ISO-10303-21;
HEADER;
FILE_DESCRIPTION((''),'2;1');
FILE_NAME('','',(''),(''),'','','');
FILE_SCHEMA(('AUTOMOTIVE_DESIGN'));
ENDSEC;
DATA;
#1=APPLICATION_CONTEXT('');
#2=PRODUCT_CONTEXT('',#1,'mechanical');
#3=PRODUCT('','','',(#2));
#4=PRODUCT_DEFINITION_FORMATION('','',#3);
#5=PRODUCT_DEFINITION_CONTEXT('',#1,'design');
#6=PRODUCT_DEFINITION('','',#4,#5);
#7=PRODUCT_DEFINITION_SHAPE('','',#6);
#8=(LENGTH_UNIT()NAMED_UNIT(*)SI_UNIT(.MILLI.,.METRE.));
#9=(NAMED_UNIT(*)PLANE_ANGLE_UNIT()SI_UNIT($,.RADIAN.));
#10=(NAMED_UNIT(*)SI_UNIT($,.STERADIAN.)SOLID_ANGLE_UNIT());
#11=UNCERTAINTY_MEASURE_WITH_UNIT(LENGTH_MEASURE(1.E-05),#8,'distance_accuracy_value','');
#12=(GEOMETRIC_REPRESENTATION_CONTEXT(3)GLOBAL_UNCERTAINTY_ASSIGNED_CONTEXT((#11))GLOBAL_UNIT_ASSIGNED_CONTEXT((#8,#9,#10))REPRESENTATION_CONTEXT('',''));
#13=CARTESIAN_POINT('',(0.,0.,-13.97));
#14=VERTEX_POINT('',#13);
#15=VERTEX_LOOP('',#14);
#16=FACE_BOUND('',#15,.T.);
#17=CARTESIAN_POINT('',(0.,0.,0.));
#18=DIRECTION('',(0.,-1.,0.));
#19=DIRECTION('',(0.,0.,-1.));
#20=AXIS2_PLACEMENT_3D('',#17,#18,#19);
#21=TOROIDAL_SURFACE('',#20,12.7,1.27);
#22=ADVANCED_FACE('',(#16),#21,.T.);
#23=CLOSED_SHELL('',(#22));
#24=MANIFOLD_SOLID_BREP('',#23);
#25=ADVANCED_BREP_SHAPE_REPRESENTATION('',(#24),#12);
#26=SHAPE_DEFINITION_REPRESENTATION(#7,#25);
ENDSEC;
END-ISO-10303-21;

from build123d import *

# Parameters (mm, degrees)
SKETCH1_R = 1.27


with BuildPart() as part:
    # Sketch1 → Revolve1 (revolve)
    with BuildSketch(Plane.XY):
        with Locations((-12.7, 0)):
            Circle(SKETCH1_R)
    revolve(axis=Axis((0, -16.033921324, 0), (0, 1, 0)))


solid = part.part
